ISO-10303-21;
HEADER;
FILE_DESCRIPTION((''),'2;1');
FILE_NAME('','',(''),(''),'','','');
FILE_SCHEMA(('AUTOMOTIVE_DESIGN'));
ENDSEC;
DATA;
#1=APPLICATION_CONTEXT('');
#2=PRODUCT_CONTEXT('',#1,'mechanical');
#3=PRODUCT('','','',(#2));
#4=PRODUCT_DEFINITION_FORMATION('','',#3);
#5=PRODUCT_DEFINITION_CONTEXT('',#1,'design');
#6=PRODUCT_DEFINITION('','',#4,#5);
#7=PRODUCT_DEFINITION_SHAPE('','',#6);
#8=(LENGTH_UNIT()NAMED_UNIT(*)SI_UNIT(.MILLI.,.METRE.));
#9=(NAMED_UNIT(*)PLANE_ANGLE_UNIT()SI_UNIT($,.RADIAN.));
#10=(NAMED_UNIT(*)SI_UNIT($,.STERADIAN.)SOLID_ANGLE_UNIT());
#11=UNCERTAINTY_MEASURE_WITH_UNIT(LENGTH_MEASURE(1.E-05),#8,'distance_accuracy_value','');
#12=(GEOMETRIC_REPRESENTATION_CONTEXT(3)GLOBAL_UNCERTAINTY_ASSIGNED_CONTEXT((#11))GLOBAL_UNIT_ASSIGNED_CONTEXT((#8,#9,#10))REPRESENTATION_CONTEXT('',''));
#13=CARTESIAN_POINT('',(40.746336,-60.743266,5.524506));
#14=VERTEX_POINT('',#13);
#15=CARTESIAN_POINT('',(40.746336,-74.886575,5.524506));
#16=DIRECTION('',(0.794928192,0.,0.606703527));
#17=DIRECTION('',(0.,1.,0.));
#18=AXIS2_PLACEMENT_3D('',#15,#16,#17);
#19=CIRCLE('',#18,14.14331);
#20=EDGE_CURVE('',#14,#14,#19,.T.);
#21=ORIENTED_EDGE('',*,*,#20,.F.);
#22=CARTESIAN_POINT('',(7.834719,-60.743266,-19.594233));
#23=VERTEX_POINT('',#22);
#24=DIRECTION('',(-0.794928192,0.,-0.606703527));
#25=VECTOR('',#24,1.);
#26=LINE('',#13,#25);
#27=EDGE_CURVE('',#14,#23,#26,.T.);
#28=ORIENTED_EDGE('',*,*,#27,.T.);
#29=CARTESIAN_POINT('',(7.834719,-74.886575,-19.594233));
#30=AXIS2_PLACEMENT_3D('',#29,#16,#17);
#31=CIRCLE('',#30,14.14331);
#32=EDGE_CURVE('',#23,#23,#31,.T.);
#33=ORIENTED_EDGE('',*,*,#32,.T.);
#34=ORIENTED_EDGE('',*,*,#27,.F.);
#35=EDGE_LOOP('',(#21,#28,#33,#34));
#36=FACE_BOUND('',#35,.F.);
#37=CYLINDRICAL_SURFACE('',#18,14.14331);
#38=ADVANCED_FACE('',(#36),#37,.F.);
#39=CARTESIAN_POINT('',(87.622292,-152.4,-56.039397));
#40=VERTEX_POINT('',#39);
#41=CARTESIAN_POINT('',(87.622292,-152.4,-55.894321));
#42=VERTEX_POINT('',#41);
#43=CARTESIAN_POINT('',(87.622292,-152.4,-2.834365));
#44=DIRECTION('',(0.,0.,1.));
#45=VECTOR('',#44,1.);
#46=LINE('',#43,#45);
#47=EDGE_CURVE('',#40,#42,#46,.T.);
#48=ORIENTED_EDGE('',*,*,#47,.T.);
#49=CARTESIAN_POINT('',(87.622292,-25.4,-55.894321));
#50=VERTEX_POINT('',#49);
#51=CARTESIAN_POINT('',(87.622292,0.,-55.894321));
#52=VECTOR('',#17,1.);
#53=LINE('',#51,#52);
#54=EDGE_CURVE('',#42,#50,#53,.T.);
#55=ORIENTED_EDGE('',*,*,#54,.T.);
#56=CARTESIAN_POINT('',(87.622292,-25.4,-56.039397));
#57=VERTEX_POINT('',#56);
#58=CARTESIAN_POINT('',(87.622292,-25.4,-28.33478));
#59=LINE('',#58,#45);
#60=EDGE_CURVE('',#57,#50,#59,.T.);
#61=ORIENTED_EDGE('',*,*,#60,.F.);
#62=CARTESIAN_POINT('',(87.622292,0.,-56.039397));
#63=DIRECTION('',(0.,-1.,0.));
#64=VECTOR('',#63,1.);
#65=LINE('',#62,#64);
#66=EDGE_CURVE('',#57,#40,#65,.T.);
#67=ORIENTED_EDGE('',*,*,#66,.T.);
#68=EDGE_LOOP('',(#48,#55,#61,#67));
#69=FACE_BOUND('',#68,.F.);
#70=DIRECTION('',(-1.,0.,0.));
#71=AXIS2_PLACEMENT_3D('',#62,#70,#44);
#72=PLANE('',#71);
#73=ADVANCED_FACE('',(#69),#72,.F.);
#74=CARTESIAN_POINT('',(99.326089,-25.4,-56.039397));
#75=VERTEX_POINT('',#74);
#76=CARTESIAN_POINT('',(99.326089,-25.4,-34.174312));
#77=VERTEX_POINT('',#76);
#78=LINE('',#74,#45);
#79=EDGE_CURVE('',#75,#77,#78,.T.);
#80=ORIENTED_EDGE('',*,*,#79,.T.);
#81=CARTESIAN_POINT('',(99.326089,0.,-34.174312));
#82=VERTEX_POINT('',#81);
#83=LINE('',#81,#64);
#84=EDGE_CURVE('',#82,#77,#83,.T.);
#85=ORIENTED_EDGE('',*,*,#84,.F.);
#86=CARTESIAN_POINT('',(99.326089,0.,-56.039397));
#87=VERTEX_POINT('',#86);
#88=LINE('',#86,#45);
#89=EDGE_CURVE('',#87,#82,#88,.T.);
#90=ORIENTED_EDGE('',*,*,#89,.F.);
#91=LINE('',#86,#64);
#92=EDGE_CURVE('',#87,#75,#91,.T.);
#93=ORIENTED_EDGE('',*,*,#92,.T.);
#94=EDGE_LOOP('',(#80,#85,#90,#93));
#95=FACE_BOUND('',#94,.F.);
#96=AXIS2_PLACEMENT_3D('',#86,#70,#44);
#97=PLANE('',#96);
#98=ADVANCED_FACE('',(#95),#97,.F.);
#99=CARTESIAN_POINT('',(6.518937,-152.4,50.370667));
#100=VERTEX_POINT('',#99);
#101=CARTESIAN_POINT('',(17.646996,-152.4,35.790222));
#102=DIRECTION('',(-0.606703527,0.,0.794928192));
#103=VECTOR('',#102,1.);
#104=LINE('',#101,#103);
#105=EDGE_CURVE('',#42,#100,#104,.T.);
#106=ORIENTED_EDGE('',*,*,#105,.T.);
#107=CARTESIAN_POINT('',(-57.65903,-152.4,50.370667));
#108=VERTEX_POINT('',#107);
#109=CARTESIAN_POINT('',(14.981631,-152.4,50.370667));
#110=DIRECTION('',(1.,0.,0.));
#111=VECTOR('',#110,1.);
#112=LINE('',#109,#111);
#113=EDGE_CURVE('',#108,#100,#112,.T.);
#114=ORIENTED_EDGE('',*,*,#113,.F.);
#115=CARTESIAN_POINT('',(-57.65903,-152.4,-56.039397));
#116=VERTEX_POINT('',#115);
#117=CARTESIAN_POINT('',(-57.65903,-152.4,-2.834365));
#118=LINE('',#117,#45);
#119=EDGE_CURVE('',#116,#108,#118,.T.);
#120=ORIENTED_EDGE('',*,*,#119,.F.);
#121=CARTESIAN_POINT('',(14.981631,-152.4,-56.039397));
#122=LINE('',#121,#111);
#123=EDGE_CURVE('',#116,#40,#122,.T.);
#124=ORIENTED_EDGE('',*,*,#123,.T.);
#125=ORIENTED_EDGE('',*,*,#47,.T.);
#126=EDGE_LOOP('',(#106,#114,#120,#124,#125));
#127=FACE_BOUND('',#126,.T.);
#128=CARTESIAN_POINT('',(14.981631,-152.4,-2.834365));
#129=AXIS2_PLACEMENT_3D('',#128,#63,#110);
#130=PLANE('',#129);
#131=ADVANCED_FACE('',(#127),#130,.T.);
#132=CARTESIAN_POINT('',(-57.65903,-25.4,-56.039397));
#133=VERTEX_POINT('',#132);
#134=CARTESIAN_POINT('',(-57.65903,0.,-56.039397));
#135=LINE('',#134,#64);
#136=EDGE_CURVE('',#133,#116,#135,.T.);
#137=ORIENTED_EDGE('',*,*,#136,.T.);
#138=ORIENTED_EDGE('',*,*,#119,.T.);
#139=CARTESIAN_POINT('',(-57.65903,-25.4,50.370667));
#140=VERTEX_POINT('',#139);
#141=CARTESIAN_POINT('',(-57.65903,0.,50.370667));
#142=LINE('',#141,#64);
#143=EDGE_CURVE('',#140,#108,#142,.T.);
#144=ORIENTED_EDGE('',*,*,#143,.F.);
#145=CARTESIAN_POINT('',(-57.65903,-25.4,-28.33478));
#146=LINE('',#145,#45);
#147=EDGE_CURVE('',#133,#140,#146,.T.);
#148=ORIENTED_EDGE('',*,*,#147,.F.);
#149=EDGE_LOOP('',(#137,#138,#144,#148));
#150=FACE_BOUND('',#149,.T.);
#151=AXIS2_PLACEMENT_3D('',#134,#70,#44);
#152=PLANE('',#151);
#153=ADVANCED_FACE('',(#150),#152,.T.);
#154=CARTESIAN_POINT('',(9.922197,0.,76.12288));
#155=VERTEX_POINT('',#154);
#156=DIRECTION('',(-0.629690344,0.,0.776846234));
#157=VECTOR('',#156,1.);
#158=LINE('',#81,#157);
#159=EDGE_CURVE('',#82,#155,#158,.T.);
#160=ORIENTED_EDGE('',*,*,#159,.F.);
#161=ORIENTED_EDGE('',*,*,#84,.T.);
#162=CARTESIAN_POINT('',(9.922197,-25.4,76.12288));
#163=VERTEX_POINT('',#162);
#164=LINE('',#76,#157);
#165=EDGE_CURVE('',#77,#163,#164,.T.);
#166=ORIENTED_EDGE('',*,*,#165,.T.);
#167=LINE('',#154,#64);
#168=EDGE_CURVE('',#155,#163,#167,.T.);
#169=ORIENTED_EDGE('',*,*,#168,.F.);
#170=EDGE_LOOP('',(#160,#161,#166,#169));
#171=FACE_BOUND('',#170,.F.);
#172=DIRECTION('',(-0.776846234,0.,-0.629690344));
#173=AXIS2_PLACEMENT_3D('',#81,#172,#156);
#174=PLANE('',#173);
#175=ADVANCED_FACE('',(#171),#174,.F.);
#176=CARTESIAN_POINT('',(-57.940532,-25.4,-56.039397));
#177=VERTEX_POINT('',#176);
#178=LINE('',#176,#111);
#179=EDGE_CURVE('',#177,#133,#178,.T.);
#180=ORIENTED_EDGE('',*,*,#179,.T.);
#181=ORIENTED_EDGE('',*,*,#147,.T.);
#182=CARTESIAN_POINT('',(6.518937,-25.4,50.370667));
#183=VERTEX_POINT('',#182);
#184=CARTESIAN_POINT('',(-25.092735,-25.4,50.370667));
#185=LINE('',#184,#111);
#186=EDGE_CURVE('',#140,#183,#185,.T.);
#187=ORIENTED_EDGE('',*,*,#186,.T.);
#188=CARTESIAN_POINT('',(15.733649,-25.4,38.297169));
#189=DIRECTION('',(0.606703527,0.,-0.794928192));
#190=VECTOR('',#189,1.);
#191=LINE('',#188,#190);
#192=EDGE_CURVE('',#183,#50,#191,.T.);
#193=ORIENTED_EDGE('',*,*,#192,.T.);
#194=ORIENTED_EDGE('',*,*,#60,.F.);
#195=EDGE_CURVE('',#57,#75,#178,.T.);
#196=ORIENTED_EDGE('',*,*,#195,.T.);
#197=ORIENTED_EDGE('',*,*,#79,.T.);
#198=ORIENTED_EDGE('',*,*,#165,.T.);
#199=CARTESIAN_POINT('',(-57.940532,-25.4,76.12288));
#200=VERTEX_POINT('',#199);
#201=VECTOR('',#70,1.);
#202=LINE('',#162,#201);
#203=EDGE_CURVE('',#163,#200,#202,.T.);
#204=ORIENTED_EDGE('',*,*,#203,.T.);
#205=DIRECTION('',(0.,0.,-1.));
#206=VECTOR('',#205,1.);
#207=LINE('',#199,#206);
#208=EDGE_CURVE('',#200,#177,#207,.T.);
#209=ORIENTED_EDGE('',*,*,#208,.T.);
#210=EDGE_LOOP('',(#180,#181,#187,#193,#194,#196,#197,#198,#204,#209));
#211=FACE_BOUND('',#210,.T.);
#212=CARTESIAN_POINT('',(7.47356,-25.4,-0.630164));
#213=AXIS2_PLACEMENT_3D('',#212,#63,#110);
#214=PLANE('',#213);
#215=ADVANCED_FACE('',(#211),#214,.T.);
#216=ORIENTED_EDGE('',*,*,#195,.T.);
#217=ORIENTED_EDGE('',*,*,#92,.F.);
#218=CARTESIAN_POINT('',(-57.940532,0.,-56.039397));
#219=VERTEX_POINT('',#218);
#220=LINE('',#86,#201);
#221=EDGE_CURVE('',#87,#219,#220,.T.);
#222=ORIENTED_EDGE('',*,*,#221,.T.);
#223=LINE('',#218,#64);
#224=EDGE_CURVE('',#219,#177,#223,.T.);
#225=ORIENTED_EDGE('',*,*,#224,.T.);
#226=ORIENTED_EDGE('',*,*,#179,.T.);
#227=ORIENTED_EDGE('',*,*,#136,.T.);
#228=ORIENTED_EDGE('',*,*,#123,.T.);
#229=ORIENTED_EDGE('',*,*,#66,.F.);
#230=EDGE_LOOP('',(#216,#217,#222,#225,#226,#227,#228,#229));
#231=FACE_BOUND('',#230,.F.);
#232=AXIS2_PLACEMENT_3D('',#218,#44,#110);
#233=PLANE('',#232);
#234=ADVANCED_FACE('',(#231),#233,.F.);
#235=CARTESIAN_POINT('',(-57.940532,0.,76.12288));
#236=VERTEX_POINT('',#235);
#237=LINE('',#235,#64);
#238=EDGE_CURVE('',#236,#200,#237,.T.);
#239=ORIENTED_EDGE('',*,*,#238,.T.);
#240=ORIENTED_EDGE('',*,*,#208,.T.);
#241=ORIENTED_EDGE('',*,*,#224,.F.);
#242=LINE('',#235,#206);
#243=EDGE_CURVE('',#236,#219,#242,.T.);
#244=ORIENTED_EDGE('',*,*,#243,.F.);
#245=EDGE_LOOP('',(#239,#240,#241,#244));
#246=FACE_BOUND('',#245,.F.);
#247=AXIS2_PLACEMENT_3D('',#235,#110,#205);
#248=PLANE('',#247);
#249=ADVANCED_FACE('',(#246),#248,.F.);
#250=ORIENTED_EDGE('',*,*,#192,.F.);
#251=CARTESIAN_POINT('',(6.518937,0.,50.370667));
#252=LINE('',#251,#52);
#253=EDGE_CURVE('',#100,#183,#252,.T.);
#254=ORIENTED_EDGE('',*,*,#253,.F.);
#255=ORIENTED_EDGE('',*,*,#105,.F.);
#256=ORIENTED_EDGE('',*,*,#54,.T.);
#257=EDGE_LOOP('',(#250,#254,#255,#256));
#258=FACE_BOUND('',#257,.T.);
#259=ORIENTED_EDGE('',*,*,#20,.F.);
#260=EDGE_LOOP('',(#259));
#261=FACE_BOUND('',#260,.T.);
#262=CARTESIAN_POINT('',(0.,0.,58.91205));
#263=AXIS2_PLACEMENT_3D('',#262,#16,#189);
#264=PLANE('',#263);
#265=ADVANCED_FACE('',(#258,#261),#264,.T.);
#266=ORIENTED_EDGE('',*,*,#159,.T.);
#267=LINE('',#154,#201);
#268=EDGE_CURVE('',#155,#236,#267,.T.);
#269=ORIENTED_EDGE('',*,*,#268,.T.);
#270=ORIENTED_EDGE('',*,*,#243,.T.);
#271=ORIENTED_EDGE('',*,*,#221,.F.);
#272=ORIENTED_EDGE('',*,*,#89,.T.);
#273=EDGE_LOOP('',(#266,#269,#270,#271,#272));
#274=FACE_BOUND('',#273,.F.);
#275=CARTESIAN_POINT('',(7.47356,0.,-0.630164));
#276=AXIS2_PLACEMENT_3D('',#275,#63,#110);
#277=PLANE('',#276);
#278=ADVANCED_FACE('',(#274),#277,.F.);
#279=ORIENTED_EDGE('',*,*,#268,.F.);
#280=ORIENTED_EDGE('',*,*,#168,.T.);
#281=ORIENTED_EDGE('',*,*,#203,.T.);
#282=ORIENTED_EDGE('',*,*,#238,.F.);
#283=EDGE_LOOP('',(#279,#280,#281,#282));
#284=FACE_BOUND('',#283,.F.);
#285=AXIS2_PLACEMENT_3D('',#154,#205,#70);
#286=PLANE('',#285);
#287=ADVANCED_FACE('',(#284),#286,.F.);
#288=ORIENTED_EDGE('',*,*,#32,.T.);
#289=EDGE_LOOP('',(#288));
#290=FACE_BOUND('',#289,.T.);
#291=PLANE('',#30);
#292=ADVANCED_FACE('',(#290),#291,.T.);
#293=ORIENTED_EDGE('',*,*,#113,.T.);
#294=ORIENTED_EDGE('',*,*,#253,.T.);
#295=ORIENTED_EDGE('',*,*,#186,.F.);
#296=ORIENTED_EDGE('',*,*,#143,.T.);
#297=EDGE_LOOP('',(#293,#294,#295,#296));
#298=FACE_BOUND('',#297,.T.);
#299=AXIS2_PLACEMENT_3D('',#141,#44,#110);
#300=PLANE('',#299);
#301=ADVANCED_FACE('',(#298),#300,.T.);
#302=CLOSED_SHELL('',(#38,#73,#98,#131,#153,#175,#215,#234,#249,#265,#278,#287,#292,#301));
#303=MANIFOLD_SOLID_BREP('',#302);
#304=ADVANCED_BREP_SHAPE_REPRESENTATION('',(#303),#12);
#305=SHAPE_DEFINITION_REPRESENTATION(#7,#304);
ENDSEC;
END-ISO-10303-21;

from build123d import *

# Parameters (mm, degrees)
F0_W          = 145.2813223004
F0_H          = 106.4100638032
F1_DEPTH      = 152.4
F3_DEPTH      = 25.4
F3_DEPTH_BACK = 193.04
F4_R          = 14.1433096913
F5_DEPTH      = 41.402
F7_DEPTH      = 25.4


with BuildPart() as f1:
    # F0 (on Front) → F1 (new body)
    with BuildSketch(Plane.XZ):
        with Locations((14.9816311896, -2.8343647718)):
            Rectangle(F0_W, F0_H)
    extrude(amount=F1_DEPTH)

    # F2 (on Front) → F3 (cut, two sides)
    with BuildSketch(Plane.XZ) as f3_sk:
        Polygon((91.3226157427, 59.4377643871), (0, 58.912049979), (91.3226157427, -60.7426390052), align=None)
    extrude(amount=-F3_DEPTH, mode=Mode.SUBTRACT)
    extrude(f3_sk.sketch, amount=F3_DEPTH_BACK, mode=Mode.SUBTRACT)

    # F4 (on face) → F5 (cut)
    with BuildSketch(Plane(origin=(28.4124414854, 0, 21.6848875552), x_dir=(0, 1, 0), z_dir=(0.794928192, 0, 0.6067035269))):
        with Locations((-74.8865753412, -20.3293599188)):
            Circle(F4_R)
    extrude(amount=-F5_DEPTH, mode=Mode.SUBTRACT)

    # F6 (on Front) → F7 (join)
    with BuildSketch(Plane.XZ):
        Polygon((9.9221970886, 76.122879982), (-57.940531522, 76.122879982), (-57.940531522, -56.0393966734), (99.3260890245, -56.0393966734), (99.3260890245, -34.1743119061), align=None)
    extrude(amount=F7_DEPTH)


solid = f1.part
